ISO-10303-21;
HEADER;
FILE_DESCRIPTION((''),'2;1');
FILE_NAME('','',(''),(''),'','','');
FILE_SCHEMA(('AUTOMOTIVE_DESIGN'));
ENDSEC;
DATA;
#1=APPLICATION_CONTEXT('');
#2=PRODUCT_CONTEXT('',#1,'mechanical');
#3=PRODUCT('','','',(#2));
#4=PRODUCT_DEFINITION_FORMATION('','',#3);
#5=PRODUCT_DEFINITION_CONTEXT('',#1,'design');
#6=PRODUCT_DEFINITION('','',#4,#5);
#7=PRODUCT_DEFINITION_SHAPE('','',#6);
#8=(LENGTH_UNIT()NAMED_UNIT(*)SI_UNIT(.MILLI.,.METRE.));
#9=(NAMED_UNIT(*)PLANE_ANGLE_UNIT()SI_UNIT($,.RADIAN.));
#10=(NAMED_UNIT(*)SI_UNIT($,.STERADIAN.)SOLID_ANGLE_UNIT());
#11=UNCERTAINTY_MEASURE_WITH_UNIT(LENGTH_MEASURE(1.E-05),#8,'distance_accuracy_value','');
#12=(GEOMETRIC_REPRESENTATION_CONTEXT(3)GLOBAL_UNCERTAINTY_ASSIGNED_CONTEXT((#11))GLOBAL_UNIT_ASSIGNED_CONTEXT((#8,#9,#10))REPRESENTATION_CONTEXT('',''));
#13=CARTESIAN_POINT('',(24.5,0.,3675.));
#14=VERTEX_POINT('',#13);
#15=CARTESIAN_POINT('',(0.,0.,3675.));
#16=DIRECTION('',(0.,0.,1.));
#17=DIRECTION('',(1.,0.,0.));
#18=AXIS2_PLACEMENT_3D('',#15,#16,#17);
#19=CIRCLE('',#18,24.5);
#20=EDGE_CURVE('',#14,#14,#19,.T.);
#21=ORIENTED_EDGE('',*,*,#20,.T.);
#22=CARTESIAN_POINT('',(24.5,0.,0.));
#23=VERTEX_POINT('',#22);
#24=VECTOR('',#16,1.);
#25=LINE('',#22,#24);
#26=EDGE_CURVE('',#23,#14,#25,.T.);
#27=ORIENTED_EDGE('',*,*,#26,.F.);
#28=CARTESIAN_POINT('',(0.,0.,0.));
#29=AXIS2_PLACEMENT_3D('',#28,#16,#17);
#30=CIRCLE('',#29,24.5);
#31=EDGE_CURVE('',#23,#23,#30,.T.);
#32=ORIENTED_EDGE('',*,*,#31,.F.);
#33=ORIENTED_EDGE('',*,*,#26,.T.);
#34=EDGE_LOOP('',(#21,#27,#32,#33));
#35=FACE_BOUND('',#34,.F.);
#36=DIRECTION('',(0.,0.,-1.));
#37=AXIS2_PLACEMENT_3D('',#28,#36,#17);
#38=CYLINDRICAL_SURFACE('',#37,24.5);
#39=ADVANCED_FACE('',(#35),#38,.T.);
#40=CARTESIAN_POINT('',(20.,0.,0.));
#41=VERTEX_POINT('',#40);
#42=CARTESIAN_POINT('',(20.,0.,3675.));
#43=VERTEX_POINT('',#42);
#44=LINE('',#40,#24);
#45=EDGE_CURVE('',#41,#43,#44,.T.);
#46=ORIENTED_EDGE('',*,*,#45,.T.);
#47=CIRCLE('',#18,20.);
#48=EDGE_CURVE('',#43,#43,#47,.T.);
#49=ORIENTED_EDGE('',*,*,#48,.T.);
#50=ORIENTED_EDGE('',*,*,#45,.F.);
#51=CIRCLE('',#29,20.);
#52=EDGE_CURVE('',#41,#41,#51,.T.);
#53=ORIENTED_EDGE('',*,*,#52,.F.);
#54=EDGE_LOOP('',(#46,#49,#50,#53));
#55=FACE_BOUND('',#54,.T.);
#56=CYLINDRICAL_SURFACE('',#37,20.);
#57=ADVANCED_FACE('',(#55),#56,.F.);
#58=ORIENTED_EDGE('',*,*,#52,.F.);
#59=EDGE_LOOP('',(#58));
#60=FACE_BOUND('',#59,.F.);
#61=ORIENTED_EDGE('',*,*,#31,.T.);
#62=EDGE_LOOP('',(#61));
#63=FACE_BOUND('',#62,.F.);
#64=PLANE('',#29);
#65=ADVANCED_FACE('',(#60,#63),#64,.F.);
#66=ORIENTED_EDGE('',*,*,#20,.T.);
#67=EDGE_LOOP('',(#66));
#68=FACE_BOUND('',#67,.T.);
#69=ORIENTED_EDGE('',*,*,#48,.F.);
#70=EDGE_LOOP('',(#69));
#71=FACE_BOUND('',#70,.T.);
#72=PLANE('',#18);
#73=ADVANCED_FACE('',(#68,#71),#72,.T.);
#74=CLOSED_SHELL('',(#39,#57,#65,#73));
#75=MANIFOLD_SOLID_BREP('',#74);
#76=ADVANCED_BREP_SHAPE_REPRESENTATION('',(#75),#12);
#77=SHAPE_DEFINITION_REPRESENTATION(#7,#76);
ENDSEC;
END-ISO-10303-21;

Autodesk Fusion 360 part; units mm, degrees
sketch "Sketch1" plane through (0, 0, 0) normal (0, 0, 1) x (1, 0, 0)
  circle A0 centre (0, 0) radius 24.5
  circle A1 centre (0, 0) radius 20
  dimension "d1" = 49
  dimension "d2" = 4.5
extrude "Extrude1" add sketch "Sketch1" along normal blind 3675
